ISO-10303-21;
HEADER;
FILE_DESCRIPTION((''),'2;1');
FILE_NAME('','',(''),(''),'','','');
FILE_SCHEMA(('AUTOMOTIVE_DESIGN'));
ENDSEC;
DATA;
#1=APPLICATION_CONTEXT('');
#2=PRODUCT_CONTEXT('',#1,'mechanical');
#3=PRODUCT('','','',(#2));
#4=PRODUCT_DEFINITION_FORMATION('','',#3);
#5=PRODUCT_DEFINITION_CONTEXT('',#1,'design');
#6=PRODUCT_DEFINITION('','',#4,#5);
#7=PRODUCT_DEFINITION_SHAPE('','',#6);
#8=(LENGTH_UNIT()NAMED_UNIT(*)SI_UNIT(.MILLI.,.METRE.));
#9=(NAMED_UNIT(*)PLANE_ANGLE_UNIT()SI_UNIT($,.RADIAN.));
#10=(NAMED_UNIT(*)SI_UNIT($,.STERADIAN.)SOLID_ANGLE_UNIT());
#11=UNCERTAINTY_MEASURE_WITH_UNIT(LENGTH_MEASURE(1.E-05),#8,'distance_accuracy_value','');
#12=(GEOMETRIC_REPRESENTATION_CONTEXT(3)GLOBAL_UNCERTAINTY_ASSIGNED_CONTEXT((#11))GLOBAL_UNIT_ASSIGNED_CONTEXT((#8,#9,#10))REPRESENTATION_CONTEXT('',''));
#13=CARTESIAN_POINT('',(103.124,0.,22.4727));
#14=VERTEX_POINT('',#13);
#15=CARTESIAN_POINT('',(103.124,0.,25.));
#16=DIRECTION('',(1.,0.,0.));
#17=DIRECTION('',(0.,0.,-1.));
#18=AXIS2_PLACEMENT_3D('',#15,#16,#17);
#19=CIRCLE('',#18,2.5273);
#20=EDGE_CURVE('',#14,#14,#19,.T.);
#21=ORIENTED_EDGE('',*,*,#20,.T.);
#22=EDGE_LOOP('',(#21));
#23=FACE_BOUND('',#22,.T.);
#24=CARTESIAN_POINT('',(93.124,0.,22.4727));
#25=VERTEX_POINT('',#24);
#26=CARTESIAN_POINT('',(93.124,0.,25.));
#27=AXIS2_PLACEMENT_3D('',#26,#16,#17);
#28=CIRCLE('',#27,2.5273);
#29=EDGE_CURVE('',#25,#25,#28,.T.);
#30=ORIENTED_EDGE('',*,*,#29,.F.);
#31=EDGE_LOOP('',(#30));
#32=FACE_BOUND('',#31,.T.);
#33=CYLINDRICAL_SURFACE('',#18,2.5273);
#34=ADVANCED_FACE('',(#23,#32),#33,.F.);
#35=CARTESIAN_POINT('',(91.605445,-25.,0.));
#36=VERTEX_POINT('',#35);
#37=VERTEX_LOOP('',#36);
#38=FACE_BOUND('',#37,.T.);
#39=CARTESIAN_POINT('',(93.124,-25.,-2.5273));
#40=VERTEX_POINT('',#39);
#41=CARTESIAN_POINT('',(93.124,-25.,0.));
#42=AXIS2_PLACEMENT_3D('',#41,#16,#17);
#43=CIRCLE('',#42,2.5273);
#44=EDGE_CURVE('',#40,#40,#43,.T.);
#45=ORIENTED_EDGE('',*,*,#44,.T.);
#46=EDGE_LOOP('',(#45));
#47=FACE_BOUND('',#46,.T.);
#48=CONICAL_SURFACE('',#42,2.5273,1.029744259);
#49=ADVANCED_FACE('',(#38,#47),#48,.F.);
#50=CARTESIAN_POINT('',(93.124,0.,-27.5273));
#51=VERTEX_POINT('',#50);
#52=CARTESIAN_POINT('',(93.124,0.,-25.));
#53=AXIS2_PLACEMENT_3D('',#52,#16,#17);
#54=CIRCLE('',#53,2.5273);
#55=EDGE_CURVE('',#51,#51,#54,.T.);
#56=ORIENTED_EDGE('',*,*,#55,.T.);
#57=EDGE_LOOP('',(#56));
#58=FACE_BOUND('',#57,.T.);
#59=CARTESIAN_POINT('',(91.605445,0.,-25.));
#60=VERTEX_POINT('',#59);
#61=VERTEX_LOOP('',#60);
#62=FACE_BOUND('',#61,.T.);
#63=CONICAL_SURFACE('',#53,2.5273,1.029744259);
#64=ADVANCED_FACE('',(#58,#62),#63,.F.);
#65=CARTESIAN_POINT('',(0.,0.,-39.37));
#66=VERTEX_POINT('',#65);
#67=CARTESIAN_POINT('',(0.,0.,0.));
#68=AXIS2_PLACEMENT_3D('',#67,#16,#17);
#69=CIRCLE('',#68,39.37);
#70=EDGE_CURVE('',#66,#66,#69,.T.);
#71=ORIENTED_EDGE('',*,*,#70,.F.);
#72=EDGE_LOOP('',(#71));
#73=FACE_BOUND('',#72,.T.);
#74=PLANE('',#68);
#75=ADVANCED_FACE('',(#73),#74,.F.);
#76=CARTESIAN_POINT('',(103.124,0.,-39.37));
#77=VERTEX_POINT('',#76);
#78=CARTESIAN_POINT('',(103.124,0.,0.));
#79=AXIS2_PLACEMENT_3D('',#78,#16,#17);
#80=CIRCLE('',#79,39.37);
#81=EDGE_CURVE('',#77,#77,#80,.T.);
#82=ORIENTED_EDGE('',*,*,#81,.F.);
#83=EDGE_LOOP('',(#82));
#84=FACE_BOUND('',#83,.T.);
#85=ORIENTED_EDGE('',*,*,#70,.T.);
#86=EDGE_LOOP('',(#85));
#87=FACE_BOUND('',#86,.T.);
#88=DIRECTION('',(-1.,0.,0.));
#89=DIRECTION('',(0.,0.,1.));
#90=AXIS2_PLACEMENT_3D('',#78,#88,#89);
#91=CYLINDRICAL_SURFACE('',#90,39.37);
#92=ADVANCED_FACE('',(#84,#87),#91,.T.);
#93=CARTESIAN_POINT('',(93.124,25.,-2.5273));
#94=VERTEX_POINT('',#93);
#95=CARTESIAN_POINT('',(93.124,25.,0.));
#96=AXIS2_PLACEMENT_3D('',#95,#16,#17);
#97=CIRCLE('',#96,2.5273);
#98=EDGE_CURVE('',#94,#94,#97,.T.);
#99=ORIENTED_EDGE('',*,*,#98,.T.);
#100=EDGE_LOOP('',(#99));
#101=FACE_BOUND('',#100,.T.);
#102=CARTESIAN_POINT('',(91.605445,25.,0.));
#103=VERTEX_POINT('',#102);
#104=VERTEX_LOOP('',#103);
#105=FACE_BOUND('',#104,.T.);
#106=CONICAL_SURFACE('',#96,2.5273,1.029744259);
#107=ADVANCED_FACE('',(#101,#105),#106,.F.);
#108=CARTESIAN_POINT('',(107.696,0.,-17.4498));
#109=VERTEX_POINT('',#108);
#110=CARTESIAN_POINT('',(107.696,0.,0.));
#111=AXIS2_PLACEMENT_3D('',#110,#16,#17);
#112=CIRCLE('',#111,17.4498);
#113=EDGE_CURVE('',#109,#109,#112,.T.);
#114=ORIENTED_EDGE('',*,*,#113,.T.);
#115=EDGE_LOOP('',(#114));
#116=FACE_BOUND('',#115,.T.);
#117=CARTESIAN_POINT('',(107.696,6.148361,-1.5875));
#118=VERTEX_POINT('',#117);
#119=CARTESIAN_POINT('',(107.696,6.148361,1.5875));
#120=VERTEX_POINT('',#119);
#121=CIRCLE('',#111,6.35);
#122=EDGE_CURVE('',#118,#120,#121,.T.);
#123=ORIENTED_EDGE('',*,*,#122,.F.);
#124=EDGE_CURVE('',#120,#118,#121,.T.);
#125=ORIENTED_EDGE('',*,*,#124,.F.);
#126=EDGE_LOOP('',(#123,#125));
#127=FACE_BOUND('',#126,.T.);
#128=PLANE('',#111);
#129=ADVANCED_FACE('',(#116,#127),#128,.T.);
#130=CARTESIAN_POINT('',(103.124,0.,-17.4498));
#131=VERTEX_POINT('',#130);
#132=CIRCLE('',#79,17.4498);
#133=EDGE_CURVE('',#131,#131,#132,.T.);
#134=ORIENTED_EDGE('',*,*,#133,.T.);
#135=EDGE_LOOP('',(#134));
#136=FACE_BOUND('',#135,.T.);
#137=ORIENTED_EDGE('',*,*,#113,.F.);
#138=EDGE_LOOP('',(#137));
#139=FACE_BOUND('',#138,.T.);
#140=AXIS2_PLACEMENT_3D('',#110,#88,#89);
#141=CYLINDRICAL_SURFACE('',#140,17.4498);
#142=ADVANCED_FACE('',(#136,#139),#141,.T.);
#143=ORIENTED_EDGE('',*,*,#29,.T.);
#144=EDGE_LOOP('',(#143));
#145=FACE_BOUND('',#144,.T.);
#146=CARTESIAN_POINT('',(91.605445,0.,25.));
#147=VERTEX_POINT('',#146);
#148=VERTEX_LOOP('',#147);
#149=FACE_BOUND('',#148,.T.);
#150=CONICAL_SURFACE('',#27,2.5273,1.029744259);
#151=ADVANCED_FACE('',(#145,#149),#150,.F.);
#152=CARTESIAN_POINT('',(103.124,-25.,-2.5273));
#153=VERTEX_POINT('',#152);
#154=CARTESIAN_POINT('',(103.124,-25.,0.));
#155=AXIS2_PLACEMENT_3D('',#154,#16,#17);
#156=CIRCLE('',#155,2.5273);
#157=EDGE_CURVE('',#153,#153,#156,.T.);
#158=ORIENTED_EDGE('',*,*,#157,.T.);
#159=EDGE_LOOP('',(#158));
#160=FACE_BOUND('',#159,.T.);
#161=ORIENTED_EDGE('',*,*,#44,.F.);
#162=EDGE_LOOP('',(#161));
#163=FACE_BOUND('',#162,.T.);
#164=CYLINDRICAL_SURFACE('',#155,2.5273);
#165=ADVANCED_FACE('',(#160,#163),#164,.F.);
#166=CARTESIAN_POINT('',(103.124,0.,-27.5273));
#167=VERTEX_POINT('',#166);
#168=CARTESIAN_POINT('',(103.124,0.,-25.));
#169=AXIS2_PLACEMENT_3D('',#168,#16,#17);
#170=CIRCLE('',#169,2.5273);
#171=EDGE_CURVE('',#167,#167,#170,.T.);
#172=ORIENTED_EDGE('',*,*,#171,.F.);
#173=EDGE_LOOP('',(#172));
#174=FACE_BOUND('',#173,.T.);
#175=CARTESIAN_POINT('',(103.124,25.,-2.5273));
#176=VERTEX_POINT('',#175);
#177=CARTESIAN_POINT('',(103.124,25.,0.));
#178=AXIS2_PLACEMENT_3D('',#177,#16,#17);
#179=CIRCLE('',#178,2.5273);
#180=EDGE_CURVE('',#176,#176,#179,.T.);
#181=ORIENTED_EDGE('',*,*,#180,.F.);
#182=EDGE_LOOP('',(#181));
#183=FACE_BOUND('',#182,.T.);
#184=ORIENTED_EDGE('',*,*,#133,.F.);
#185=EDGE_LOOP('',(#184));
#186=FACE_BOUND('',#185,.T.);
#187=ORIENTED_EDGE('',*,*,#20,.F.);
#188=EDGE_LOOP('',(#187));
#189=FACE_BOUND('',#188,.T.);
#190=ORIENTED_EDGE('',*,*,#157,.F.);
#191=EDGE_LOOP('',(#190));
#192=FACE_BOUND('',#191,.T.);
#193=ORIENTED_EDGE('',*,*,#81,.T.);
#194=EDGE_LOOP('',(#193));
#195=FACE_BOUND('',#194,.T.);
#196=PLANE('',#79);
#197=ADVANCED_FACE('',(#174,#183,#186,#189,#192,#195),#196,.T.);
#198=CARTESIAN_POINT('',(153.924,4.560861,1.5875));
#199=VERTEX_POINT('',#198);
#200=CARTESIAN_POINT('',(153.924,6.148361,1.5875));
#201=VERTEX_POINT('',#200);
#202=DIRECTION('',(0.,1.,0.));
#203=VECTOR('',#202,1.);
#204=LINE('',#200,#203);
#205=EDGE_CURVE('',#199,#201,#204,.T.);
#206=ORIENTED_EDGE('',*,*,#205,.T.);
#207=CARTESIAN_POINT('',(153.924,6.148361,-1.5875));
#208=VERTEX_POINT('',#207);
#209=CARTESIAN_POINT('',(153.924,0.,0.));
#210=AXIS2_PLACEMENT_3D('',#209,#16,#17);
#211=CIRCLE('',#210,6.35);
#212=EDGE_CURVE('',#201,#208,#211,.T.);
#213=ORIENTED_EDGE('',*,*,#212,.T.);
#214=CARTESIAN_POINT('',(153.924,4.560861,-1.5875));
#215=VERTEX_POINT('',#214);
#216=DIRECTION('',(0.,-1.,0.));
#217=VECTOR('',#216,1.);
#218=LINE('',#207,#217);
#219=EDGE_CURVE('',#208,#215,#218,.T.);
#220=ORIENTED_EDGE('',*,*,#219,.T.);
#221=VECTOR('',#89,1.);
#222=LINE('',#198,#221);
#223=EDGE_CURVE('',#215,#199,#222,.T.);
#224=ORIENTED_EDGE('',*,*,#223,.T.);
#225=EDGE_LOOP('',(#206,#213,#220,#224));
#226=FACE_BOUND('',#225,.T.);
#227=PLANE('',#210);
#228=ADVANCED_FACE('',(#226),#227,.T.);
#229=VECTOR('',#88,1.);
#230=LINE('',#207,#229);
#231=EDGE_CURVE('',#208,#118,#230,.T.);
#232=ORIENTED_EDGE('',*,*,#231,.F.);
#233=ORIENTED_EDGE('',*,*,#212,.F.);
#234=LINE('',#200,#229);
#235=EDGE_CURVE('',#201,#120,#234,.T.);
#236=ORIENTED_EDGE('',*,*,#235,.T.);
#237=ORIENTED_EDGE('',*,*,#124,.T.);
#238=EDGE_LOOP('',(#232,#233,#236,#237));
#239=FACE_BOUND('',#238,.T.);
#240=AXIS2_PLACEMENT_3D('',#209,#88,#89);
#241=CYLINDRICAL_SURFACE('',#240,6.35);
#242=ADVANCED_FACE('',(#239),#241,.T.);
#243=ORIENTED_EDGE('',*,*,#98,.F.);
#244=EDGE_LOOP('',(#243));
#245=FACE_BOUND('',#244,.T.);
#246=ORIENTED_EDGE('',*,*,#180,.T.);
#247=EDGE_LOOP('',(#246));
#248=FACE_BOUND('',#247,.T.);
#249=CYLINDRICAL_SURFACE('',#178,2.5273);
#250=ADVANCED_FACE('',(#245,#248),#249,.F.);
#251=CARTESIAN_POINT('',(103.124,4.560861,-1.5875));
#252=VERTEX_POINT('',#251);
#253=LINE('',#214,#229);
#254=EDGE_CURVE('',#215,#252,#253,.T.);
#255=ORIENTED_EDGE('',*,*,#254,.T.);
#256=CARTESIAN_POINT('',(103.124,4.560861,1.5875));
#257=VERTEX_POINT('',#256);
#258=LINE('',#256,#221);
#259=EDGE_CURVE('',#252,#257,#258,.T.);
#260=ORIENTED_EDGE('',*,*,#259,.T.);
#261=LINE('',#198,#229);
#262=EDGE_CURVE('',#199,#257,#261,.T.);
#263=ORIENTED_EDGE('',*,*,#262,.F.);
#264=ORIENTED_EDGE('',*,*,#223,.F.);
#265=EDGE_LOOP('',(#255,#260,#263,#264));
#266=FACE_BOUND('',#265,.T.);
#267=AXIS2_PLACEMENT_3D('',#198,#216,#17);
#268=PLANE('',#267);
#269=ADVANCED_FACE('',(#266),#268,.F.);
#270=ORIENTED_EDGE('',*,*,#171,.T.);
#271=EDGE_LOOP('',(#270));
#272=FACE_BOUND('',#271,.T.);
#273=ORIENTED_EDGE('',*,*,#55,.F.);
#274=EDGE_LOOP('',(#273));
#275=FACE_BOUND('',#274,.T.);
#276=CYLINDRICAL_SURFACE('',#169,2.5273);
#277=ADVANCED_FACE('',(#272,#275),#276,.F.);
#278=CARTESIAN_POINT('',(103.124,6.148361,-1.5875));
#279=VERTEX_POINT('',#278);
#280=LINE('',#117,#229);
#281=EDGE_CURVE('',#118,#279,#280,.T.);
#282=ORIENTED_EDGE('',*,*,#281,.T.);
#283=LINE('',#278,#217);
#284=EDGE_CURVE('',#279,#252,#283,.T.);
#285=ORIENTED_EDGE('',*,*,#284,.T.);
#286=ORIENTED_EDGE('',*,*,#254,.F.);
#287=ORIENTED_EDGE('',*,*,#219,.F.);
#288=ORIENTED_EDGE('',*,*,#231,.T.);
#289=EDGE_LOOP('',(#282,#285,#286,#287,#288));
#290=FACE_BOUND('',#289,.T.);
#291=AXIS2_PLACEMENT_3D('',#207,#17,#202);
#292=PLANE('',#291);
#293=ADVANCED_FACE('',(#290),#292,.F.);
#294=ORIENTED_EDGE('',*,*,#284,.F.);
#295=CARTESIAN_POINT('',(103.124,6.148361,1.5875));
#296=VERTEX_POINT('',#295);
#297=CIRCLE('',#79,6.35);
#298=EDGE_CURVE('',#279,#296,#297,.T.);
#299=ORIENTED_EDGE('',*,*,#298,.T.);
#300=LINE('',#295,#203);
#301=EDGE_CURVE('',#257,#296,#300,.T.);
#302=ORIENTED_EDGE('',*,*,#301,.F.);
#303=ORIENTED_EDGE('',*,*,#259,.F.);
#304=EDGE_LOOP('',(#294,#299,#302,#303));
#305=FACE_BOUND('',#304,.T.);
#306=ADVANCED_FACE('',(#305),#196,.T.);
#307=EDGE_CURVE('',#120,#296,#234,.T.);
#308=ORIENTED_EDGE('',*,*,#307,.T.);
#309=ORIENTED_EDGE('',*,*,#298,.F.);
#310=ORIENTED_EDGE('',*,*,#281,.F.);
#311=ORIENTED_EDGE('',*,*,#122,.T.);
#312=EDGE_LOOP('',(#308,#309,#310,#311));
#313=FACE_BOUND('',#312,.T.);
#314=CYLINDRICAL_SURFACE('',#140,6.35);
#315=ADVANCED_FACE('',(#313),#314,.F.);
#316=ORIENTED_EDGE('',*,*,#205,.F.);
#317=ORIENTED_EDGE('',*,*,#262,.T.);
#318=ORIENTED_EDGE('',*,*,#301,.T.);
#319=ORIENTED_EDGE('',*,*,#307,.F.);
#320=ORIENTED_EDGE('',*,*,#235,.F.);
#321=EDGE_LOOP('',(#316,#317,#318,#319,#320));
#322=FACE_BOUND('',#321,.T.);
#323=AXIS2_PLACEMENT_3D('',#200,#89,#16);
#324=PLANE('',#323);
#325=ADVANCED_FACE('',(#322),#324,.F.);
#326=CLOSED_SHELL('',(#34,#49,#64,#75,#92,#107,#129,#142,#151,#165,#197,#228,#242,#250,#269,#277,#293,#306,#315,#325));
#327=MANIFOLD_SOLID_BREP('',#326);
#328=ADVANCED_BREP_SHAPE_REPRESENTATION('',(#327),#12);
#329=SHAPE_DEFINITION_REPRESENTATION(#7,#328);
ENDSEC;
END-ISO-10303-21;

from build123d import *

# Parameters (mm, degrees)
SKETCH1_R           = 39.37
BOSS_EXTRUDE1_DEPTH = 103.124
BOSS_EXTRUDE2_DEPTH = 50.8
CIRPATTERN1_COUNT   = 4
SKETCH6_R           = 17.4498
SKETCH6_R_2         = 6.35
BOSS_EXTRUDE3_DEPTH = 4.572


with BuildPart() as part:
    # Sketch1 → Boss-Extrude1 (new body)
    with BuildSketch(Plane(origin=(0, 0, 0), x_dir=(0, 0, -1), z_dir=(1, 0, 0))):
        Circle(SKETCH1_R)
    extrude(amount=BOSS_EXTRUDE1_DEPTH)

    # Sketch2 → Boss-Extrude2 (add)
    with BuildSketch(Plane(origin=(103.124, 0, 0), x_dir=(0, 0, -1), z_dir=(1, 0, 0))):
        with BuildLine():
            Line((-1.5875, 6.148361062), (-1.5875, 4.560861062))
            Line((-1.5875, 4.560861062), (1.5875, 4.560861062))
            Line((1.5875, 4.560861062), (1.5875, 6.148361062))
            ThreePointArc((1.5875, 6.148361062), (0, -6.35), (-1.5875, 6.148361062))
        make_face()
    extrude(amount=BOSS_EXTRUDE2_DEPTH)

    # Sketch4 → #8 (0.199) Diameter Hole1 (revolve, cut)
    with BuildSketch(Plane(origin=(103.124, 25, 0), x_dir=(0, 0, -1), z_dir=(0, 1, 0))):
        Polygon((0, 0), (0, 11.518555042), (2.5273, 10), (2.5273, 0), align=None)
    f_8_0_199_diameter_hole1 = revolve(axis=Axis((109.474, 25, 0), (-1, 0, 0)), mode=Mode.SUBTRACT)

    # CirPattern1: #8 (0.199) Diameter Hole1 ×4 about axis
    cirpattern1_axis = Axis((0, 0, 0), (1, 0, 0))
    for i in range(1, CIRPATTERN1_COUNT):
        add(f_8_0_199_diameter_hole1.rotate(cirpattern1_axis, i * 360 / CIRPATTERN1_COUNT), mode=Mode.SUBTRACT)

    # Sketch6 → Boss-Extrude3 (add)
    with BuildSketch(Plane(origin=(103.124, 0, 0), x_dir=(0, 0, -1), z_dir=(1, 0, 0))):
        Circle(SKETCH6_R)
        Circle(SKETCH6_R_2, mode=Mode.SUBTRACT)
    extrude(amount=BOSS_EXTRUDE3_DEPTH)


solid = part.part
